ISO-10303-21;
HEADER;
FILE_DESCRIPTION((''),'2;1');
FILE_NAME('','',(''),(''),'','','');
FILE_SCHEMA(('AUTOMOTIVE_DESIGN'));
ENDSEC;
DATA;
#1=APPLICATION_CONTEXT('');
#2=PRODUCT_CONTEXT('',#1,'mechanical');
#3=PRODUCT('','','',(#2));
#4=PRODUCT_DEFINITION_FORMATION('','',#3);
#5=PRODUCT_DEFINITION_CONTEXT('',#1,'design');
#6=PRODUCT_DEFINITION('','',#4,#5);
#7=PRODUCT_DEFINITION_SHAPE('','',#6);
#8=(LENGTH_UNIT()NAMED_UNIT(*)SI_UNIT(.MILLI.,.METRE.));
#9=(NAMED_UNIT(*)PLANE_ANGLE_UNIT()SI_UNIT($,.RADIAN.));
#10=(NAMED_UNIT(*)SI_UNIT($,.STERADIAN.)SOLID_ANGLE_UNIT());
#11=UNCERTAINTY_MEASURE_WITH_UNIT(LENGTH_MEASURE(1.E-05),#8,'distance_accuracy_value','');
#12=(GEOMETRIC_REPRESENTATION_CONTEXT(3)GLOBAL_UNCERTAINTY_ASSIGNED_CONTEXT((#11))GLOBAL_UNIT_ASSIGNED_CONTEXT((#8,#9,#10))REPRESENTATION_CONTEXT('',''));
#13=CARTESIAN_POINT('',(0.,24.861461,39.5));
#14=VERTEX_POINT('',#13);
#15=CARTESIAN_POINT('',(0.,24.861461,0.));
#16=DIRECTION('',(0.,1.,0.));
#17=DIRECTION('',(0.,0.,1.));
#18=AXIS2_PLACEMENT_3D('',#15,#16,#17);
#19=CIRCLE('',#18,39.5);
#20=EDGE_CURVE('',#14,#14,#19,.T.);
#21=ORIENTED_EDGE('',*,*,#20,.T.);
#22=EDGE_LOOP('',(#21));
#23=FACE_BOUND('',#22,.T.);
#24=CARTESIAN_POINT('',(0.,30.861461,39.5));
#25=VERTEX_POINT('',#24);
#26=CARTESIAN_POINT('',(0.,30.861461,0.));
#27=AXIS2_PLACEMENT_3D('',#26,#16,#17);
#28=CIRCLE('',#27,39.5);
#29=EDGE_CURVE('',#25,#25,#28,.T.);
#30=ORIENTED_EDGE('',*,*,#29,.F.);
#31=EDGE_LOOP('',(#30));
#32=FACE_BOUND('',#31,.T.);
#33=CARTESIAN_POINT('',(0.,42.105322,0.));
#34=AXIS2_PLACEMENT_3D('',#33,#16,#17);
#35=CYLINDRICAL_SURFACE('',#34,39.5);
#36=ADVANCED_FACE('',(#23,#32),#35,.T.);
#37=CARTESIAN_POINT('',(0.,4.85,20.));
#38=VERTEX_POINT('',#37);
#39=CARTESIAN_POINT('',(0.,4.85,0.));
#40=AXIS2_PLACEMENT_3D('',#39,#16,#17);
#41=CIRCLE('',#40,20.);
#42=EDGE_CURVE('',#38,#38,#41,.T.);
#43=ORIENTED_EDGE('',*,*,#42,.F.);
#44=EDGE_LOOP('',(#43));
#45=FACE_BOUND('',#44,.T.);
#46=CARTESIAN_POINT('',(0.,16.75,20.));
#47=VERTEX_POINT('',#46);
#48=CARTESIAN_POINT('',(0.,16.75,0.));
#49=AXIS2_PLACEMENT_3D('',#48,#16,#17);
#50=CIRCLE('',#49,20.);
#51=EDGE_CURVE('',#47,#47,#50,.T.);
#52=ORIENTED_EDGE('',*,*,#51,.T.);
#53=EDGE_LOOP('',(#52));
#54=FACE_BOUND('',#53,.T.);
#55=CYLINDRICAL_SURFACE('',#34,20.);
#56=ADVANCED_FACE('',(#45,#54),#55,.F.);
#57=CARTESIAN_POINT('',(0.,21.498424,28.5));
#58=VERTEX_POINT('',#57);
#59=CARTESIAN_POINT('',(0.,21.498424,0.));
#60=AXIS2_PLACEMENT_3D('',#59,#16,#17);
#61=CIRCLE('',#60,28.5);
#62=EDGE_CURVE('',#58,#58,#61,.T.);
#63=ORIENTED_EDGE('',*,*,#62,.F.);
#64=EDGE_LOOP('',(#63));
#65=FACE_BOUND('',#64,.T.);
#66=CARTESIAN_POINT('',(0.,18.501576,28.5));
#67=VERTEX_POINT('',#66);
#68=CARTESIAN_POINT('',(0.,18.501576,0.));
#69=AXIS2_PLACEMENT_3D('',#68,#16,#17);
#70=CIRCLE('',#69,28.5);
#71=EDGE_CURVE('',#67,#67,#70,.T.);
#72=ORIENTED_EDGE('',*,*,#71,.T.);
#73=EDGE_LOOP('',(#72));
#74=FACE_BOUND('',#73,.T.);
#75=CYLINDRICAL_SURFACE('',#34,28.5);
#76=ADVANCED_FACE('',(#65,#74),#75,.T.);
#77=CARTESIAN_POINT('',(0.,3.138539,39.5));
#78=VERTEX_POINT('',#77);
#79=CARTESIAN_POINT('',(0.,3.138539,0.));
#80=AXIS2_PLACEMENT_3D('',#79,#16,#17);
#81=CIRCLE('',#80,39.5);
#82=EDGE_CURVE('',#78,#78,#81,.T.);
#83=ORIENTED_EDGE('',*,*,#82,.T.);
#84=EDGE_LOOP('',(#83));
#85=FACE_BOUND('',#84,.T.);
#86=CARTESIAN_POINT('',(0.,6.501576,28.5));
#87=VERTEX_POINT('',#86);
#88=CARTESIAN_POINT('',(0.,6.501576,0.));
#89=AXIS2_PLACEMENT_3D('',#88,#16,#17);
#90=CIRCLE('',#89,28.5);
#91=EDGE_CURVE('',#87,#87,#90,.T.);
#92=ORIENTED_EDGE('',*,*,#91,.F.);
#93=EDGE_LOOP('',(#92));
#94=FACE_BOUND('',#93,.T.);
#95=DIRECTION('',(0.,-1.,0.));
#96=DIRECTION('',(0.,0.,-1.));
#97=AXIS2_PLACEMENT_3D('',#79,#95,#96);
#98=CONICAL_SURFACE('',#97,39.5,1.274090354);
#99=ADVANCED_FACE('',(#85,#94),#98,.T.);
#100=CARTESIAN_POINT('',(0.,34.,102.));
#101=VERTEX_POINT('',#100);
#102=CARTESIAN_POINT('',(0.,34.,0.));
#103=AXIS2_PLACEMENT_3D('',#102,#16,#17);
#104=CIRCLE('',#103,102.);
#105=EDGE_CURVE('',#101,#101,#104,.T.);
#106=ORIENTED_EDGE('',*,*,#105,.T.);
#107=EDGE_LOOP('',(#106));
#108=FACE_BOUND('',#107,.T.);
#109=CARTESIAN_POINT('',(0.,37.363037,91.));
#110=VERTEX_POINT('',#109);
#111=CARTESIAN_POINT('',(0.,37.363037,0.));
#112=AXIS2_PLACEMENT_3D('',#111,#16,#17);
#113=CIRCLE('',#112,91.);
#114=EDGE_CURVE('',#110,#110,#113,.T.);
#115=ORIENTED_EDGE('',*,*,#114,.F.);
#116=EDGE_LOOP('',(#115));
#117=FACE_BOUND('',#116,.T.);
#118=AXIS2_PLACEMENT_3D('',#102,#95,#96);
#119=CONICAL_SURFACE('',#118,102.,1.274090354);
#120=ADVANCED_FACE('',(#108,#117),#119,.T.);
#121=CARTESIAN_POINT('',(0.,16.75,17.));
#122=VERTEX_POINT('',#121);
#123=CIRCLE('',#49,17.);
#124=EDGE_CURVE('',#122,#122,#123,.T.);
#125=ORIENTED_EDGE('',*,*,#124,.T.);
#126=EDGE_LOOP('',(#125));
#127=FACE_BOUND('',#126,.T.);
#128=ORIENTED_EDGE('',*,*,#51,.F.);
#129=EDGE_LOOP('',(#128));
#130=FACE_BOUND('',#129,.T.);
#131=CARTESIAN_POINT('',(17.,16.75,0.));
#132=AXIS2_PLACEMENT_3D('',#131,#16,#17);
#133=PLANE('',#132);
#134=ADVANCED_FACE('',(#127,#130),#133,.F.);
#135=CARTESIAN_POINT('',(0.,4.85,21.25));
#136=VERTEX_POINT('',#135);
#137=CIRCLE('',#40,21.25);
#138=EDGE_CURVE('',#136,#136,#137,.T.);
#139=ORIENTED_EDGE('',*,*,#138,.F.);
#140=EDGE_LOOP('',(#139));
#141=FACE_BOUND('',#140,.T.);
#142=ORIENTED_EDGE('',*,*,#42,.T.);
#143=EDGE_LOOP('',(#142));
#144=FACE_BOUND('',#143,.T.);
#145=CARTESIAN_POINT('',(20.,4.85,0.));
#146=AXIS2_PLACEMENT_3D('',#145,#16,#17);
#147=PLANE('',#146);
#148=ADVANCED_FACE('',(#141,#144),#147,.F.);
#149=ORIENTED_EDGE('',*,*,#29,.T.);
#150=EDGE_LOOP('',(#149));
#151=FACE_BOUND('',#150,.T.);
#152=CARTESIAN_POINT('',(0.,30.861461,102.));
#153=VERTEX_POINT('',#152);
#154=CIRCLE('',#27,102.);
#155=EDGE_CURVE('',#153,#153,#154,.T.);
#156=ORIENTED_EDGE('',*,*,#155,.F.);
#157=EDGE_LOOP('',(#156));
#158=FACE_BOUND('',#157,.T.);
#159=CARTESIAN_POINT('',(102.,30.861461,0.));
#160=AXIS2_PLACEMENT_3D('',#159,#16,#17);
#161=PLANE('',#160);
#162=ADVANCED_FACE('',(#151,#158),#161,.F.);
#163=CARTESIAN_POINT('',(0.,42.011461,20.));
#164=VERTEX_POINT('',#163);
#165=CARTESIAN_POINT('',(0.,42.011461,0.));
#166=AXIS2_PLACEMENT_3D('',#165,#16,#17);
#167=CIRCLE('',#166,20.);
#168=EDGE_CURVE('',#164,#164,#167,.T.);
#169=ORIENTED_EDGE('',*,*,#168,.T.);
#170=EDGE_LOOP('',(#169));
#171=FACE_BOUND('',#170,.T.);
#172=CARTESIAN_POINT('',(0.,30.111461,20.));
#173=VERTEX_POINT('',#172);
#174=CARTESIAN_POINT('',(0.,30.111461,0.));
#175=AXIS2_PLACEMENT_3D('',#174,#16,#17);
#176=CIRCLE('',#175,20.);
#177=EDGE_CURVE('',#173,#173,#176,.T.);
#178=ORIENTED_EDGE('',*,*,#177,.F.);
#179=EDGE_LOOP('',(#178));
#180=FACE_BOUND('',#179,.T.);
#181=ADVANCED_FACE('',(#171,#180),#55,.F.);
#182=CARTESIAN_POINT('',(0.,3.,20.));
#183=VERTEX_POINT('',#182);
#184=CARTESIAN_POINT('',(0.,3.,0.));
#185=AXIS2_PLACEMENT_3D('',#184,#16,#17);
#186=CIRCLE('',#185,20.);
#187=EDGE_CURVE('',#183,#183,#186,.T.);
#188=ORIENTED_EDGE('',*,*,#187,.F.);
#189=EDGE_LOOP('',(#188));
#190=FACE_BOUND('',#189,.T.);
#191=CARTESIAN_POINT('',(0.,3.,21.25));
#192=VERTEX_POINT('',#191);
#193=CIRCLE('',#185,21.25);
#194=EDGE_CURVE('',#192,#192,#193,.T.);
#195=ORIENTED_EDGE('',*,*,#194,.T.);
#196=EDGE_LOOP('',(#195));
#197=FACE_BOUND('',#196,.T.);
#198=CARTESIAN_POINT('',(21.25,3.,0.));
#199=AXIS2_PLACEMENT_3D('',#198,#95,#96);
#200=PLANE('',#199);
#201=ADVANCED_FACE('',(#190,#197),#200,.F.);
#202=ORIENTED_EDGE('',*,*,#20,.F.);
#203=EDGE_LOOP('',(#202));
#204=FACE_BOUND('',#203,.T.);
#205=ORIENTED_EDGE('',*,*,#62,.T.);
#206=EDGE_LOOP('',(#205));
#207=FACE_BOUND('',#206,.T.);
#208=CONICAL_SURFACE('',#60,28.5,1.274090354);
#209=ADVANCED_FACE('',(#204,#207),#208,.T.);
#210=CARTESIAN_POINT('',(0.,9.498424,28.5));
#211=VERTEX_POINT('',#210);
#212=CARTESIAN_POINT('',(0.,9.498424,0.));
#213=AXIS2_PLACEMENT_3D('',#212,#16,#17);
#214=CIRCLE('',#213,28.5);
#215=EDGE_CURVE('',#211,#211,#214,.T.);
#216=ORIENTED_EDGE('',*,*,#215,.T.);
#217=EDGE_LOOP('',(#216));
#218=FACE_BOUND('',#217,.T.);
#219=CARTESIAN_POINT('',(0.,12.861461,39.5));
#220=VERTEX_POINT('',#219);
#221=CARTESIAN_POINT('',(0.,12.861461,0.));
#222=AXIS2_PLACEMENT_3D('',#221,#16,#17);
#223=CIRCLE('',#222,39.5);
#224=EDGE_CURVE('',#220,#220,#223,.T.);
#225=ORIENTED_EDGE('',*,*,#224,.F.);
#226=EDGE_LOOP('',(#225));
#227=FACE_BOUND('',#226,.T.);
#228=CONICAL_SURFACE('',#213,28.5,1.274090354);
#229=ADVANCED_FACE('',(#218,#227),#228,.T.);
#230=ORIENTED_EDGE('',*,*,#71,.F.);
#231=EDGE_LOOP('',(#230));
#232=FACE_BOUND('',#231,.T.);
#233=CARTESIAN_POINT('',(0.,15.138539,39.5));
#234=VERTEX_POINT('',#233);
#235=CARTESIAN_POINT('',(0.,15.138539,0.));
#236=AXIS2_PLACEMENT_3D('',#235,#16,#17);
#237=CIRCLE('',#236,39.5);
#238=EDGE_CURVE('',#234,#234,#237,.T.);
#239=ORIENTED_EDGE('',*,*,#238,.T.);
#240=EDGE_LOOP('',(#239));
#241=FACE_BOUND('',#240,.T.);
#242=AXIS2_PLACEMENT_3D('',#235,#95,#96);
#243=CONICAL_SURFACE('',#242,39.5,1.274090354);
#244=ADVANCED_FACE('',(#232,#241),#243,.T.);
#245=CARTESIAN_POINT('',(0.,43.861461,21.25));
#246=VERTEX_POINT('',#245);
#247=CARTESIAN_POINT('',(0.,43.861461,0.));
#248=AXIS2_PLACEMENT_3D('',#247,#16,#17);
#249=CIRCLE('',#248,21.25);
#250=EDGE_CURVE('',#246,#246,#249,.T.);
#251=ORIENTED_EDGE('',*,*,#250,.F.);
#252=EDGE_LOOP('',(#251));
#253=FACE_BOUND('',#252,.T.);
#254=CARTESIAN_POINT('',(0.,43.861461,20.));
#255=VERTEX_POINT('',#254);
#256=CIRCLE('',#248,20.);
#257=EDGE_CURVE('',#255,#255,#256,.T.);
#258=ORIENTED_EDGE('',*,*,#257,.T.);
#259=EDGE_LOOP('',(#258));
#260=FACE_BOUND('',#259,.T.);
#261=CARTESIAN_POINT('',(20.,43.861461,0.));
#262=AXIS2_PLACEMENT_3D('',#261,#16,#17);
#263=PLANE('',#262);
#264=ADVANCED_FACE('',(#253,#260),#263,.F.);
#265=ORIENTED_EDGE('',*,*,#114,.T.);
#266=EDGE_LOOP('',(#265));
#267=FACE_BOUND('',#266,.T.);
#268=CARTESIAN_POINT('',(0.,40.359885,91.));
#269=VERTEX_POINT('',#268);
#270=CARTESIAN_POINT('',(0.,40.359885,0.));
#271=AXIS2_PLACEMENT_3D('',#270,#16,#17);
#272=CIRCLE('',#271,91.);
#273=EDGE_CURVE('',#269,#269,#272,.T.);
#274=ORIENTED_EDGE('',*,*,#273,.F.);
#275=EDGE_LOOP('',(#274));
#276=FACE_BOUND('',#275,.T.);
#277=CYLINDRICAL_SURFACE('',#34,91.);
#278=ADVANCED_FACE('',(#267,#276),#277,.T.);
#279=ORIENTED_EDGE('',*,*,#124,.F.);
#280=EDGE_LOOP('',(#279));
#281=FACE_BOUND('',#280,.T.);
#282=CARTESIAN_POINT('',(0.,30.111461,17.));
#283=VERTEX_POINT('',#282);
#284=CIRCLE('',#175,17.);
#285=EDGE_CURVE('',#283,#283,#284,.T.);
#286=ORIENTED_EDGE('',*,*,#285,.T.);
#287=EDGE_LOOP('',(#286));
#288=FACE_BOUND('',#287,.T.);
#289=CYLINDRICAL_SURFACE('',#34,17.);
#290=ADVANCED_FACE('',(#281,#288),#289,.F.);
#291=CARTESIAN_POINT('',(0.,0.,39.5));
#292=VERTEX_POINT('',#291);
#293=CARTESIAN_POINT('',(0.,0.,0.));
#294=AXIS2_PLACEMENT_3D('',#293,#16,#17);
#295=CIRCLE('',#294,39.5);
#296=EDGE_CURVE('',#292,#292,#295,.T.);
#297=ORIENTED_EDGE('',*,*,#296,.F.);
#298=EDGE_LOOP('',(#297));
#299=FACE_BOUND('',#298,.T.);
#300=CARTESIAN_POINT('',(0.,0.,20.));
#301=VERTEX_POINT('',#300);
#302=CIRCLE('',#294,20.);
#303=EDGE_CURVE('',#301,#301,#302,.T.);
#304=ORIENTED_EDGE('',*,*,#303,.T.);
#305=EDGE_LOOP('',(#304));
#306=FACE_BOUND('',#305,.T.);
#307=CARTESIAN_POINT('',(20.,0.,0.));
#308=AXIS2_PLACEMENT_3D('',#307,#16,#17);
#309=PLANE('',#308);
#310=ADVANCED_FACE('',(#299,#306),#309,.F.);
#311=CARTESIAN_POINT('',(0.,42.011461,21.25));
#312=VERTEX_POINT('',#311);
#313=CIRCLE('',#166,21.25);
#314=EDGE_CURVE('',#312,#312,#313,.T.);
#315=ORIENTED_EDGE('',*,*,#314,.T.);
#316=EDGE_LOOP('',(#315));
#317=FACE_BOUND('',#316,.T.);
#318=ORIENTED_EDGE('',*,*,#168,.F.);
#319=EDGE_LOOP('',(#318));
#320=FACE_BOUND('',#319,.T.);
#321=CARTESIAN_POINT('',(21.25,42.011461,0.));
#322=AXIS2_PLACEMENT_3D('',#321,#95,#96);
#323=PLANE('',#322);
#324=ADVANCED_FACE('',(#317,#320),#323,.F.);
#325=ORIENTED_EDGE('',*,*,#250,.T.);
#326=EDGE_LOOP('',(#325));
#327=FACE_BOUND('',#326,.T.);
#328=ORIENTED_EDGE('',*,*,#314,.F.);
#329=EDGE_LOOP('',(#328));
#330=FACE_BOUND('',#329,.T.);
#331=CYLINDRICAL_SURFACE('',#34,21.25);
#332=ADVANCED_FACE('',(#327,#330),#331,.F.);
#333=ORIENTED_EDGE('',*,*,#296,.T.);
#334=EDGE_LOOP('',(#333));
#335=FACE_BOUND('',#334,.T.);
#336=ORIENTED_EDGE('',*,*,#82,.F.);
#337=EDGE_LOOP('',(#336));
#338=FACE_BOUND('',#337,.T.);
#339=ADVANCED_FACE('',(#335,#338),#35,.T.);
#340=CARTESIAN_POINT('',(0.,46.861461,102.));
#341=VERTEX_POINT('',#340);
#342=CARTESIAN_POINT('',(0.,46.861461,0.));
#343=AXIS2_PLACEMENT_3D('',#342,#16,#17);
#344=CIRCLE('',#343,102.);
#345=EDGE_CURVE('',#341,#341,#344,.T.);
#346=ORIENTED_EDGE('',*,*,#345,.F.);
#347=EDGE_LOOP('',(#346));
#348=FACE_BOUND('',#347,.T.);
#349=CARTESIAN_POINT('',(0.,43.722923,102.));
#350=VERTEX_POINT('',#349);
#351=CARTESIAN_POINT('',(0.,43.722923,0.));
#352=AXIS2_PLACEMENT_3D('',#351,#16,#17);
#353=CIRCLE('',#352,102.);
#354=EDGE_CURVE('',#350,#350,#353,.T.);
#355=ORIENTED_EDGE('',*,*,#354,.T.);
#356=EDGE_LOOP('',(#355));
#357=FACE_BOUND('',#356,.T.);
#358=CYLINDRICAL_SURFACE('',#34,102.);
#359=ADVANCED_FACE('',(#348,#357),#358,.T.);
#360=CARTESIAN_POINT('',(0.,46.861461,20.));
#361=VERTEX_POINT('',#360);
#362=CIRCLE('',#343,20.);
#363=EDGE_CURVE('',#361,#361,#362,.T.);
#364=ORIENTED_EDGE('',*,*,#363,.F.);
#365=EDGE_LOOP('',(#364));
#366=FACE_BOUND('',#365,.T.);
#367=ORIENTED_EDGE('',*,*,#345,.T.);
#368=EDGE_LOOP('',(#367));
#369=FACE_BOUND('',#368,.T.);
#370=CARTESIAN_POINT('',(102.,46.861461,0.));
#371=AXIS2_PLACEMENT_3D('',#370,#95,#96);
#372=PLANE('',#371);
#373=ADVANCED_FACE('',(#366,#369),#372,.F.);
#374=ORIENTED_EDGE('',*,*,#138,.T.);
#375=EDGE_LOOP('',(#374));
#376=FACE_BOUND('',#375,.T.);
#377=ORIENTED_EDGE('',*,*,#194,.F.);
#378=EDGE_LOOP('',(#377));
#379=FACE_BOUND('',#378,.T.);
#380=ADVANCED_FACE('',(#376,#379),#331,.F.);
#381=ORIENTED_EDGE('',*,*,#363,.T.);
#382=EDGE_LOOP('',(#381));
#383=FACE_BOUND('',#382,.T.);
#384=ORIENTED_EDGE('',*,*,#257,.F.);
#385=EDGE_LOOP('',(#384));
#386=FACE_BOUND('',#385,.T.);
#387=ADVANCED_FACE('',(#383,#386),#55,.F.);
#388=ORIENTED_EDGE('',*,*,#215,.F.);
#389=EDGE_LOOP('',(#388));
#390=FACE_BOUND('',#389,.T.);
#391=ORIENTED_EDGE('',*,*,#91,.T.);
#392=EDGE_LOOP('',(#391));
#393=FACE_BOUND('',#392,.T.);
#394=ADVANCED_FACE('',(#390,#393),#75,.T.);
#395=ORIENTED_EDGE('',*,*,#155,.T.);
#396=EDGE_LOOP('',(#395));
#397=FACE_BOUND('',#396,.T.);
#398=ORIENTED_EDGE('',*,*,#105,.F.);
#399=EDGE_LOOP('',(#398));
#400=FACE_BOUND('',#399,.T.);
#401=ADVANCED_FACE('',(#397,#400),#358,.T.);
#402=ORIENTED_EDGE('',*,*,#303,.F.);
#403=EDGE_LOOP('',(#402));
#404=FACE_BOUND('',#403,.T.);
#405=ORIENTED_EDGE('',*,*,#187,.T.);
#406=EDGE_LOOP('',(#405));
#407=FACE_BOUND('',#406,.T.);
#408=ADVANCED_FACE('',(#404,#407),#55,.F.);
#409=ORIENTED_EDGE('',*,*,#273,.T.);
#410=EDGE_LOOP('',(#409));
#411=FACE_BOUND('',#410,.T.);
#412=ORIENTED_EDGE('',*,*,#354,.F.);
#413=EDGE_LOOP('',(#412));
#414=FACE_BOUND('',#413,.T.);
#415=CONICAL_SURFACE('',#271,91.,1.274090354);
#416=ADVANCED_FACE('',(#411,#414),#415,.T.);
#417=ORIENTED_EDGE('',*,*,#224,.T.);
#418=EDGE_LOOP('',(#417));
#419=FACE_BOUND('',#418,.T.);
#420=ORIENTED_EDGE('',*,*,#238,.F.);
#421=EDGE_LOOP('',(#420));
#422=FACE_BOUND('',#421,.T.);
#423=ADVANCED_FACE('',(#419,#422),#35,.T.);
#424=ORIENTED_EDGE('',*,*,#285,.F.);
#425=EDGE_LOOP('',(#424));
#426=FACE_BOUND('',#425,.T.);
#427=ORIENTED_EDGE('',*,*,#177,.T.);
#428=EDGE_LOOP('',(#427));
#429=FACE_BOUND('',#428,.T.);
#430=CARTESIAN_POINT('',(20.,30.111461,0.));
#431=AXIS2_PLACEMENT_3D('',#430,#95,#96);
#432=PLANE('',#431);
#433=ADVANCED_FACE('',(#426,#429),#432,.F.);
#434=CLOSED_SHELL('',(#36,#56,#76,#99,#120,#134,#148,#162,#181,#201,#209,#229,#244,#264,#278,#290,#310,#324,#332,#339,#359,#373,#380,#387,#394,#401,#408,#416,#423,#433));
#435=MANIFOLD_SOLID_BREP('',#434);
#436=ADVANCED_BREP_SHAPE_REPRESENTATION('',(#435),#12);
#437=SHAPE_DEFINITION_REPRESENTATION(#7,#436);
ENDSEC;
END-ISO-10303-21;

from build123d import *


with BuildPart() as part:
    # Sketch1 → Revolve1 (revolve)
    with BuildSketch(Plane.XY, mode=Mode.PRIVATE) as revolve1_sk:
        Polygon((17, 30.111461363), (17, 16.75), (20, 16.75), (20, 4.85), (21.25, 4.85), (21.25, 3), (20, 3), (20, 0), (39.5, 0), (39.5, 3.138538637), (28.5, 6.501576133), (28.5, 9.498423867), (39.5, 12.861461363), (39.5, 15.138538637), (28.5, 18.501576133), (28.5, 21.498423867), (39.5, 24.861461363), (39.5, 30.861461363), (102, 30.861461363), (102, 34), (91, 37.363037496), (91, 40.35988523), (102, 43.722922726), (102, 46.861461363), (20, 46.861461363), (20, 43.861461363), (21.25, 43.861461363), (21.25, 42.011461363), (20, 42.011461363), (20, 30.111461363), align=None)
    revolve(revolve1_sk.sketch.rotate(Axis((0, 42.105322255, 0), (0, -1, 0)), 90), axis=Axis((0, 42.105322255, 0), (0, -1, 0)))


solid = part.part
